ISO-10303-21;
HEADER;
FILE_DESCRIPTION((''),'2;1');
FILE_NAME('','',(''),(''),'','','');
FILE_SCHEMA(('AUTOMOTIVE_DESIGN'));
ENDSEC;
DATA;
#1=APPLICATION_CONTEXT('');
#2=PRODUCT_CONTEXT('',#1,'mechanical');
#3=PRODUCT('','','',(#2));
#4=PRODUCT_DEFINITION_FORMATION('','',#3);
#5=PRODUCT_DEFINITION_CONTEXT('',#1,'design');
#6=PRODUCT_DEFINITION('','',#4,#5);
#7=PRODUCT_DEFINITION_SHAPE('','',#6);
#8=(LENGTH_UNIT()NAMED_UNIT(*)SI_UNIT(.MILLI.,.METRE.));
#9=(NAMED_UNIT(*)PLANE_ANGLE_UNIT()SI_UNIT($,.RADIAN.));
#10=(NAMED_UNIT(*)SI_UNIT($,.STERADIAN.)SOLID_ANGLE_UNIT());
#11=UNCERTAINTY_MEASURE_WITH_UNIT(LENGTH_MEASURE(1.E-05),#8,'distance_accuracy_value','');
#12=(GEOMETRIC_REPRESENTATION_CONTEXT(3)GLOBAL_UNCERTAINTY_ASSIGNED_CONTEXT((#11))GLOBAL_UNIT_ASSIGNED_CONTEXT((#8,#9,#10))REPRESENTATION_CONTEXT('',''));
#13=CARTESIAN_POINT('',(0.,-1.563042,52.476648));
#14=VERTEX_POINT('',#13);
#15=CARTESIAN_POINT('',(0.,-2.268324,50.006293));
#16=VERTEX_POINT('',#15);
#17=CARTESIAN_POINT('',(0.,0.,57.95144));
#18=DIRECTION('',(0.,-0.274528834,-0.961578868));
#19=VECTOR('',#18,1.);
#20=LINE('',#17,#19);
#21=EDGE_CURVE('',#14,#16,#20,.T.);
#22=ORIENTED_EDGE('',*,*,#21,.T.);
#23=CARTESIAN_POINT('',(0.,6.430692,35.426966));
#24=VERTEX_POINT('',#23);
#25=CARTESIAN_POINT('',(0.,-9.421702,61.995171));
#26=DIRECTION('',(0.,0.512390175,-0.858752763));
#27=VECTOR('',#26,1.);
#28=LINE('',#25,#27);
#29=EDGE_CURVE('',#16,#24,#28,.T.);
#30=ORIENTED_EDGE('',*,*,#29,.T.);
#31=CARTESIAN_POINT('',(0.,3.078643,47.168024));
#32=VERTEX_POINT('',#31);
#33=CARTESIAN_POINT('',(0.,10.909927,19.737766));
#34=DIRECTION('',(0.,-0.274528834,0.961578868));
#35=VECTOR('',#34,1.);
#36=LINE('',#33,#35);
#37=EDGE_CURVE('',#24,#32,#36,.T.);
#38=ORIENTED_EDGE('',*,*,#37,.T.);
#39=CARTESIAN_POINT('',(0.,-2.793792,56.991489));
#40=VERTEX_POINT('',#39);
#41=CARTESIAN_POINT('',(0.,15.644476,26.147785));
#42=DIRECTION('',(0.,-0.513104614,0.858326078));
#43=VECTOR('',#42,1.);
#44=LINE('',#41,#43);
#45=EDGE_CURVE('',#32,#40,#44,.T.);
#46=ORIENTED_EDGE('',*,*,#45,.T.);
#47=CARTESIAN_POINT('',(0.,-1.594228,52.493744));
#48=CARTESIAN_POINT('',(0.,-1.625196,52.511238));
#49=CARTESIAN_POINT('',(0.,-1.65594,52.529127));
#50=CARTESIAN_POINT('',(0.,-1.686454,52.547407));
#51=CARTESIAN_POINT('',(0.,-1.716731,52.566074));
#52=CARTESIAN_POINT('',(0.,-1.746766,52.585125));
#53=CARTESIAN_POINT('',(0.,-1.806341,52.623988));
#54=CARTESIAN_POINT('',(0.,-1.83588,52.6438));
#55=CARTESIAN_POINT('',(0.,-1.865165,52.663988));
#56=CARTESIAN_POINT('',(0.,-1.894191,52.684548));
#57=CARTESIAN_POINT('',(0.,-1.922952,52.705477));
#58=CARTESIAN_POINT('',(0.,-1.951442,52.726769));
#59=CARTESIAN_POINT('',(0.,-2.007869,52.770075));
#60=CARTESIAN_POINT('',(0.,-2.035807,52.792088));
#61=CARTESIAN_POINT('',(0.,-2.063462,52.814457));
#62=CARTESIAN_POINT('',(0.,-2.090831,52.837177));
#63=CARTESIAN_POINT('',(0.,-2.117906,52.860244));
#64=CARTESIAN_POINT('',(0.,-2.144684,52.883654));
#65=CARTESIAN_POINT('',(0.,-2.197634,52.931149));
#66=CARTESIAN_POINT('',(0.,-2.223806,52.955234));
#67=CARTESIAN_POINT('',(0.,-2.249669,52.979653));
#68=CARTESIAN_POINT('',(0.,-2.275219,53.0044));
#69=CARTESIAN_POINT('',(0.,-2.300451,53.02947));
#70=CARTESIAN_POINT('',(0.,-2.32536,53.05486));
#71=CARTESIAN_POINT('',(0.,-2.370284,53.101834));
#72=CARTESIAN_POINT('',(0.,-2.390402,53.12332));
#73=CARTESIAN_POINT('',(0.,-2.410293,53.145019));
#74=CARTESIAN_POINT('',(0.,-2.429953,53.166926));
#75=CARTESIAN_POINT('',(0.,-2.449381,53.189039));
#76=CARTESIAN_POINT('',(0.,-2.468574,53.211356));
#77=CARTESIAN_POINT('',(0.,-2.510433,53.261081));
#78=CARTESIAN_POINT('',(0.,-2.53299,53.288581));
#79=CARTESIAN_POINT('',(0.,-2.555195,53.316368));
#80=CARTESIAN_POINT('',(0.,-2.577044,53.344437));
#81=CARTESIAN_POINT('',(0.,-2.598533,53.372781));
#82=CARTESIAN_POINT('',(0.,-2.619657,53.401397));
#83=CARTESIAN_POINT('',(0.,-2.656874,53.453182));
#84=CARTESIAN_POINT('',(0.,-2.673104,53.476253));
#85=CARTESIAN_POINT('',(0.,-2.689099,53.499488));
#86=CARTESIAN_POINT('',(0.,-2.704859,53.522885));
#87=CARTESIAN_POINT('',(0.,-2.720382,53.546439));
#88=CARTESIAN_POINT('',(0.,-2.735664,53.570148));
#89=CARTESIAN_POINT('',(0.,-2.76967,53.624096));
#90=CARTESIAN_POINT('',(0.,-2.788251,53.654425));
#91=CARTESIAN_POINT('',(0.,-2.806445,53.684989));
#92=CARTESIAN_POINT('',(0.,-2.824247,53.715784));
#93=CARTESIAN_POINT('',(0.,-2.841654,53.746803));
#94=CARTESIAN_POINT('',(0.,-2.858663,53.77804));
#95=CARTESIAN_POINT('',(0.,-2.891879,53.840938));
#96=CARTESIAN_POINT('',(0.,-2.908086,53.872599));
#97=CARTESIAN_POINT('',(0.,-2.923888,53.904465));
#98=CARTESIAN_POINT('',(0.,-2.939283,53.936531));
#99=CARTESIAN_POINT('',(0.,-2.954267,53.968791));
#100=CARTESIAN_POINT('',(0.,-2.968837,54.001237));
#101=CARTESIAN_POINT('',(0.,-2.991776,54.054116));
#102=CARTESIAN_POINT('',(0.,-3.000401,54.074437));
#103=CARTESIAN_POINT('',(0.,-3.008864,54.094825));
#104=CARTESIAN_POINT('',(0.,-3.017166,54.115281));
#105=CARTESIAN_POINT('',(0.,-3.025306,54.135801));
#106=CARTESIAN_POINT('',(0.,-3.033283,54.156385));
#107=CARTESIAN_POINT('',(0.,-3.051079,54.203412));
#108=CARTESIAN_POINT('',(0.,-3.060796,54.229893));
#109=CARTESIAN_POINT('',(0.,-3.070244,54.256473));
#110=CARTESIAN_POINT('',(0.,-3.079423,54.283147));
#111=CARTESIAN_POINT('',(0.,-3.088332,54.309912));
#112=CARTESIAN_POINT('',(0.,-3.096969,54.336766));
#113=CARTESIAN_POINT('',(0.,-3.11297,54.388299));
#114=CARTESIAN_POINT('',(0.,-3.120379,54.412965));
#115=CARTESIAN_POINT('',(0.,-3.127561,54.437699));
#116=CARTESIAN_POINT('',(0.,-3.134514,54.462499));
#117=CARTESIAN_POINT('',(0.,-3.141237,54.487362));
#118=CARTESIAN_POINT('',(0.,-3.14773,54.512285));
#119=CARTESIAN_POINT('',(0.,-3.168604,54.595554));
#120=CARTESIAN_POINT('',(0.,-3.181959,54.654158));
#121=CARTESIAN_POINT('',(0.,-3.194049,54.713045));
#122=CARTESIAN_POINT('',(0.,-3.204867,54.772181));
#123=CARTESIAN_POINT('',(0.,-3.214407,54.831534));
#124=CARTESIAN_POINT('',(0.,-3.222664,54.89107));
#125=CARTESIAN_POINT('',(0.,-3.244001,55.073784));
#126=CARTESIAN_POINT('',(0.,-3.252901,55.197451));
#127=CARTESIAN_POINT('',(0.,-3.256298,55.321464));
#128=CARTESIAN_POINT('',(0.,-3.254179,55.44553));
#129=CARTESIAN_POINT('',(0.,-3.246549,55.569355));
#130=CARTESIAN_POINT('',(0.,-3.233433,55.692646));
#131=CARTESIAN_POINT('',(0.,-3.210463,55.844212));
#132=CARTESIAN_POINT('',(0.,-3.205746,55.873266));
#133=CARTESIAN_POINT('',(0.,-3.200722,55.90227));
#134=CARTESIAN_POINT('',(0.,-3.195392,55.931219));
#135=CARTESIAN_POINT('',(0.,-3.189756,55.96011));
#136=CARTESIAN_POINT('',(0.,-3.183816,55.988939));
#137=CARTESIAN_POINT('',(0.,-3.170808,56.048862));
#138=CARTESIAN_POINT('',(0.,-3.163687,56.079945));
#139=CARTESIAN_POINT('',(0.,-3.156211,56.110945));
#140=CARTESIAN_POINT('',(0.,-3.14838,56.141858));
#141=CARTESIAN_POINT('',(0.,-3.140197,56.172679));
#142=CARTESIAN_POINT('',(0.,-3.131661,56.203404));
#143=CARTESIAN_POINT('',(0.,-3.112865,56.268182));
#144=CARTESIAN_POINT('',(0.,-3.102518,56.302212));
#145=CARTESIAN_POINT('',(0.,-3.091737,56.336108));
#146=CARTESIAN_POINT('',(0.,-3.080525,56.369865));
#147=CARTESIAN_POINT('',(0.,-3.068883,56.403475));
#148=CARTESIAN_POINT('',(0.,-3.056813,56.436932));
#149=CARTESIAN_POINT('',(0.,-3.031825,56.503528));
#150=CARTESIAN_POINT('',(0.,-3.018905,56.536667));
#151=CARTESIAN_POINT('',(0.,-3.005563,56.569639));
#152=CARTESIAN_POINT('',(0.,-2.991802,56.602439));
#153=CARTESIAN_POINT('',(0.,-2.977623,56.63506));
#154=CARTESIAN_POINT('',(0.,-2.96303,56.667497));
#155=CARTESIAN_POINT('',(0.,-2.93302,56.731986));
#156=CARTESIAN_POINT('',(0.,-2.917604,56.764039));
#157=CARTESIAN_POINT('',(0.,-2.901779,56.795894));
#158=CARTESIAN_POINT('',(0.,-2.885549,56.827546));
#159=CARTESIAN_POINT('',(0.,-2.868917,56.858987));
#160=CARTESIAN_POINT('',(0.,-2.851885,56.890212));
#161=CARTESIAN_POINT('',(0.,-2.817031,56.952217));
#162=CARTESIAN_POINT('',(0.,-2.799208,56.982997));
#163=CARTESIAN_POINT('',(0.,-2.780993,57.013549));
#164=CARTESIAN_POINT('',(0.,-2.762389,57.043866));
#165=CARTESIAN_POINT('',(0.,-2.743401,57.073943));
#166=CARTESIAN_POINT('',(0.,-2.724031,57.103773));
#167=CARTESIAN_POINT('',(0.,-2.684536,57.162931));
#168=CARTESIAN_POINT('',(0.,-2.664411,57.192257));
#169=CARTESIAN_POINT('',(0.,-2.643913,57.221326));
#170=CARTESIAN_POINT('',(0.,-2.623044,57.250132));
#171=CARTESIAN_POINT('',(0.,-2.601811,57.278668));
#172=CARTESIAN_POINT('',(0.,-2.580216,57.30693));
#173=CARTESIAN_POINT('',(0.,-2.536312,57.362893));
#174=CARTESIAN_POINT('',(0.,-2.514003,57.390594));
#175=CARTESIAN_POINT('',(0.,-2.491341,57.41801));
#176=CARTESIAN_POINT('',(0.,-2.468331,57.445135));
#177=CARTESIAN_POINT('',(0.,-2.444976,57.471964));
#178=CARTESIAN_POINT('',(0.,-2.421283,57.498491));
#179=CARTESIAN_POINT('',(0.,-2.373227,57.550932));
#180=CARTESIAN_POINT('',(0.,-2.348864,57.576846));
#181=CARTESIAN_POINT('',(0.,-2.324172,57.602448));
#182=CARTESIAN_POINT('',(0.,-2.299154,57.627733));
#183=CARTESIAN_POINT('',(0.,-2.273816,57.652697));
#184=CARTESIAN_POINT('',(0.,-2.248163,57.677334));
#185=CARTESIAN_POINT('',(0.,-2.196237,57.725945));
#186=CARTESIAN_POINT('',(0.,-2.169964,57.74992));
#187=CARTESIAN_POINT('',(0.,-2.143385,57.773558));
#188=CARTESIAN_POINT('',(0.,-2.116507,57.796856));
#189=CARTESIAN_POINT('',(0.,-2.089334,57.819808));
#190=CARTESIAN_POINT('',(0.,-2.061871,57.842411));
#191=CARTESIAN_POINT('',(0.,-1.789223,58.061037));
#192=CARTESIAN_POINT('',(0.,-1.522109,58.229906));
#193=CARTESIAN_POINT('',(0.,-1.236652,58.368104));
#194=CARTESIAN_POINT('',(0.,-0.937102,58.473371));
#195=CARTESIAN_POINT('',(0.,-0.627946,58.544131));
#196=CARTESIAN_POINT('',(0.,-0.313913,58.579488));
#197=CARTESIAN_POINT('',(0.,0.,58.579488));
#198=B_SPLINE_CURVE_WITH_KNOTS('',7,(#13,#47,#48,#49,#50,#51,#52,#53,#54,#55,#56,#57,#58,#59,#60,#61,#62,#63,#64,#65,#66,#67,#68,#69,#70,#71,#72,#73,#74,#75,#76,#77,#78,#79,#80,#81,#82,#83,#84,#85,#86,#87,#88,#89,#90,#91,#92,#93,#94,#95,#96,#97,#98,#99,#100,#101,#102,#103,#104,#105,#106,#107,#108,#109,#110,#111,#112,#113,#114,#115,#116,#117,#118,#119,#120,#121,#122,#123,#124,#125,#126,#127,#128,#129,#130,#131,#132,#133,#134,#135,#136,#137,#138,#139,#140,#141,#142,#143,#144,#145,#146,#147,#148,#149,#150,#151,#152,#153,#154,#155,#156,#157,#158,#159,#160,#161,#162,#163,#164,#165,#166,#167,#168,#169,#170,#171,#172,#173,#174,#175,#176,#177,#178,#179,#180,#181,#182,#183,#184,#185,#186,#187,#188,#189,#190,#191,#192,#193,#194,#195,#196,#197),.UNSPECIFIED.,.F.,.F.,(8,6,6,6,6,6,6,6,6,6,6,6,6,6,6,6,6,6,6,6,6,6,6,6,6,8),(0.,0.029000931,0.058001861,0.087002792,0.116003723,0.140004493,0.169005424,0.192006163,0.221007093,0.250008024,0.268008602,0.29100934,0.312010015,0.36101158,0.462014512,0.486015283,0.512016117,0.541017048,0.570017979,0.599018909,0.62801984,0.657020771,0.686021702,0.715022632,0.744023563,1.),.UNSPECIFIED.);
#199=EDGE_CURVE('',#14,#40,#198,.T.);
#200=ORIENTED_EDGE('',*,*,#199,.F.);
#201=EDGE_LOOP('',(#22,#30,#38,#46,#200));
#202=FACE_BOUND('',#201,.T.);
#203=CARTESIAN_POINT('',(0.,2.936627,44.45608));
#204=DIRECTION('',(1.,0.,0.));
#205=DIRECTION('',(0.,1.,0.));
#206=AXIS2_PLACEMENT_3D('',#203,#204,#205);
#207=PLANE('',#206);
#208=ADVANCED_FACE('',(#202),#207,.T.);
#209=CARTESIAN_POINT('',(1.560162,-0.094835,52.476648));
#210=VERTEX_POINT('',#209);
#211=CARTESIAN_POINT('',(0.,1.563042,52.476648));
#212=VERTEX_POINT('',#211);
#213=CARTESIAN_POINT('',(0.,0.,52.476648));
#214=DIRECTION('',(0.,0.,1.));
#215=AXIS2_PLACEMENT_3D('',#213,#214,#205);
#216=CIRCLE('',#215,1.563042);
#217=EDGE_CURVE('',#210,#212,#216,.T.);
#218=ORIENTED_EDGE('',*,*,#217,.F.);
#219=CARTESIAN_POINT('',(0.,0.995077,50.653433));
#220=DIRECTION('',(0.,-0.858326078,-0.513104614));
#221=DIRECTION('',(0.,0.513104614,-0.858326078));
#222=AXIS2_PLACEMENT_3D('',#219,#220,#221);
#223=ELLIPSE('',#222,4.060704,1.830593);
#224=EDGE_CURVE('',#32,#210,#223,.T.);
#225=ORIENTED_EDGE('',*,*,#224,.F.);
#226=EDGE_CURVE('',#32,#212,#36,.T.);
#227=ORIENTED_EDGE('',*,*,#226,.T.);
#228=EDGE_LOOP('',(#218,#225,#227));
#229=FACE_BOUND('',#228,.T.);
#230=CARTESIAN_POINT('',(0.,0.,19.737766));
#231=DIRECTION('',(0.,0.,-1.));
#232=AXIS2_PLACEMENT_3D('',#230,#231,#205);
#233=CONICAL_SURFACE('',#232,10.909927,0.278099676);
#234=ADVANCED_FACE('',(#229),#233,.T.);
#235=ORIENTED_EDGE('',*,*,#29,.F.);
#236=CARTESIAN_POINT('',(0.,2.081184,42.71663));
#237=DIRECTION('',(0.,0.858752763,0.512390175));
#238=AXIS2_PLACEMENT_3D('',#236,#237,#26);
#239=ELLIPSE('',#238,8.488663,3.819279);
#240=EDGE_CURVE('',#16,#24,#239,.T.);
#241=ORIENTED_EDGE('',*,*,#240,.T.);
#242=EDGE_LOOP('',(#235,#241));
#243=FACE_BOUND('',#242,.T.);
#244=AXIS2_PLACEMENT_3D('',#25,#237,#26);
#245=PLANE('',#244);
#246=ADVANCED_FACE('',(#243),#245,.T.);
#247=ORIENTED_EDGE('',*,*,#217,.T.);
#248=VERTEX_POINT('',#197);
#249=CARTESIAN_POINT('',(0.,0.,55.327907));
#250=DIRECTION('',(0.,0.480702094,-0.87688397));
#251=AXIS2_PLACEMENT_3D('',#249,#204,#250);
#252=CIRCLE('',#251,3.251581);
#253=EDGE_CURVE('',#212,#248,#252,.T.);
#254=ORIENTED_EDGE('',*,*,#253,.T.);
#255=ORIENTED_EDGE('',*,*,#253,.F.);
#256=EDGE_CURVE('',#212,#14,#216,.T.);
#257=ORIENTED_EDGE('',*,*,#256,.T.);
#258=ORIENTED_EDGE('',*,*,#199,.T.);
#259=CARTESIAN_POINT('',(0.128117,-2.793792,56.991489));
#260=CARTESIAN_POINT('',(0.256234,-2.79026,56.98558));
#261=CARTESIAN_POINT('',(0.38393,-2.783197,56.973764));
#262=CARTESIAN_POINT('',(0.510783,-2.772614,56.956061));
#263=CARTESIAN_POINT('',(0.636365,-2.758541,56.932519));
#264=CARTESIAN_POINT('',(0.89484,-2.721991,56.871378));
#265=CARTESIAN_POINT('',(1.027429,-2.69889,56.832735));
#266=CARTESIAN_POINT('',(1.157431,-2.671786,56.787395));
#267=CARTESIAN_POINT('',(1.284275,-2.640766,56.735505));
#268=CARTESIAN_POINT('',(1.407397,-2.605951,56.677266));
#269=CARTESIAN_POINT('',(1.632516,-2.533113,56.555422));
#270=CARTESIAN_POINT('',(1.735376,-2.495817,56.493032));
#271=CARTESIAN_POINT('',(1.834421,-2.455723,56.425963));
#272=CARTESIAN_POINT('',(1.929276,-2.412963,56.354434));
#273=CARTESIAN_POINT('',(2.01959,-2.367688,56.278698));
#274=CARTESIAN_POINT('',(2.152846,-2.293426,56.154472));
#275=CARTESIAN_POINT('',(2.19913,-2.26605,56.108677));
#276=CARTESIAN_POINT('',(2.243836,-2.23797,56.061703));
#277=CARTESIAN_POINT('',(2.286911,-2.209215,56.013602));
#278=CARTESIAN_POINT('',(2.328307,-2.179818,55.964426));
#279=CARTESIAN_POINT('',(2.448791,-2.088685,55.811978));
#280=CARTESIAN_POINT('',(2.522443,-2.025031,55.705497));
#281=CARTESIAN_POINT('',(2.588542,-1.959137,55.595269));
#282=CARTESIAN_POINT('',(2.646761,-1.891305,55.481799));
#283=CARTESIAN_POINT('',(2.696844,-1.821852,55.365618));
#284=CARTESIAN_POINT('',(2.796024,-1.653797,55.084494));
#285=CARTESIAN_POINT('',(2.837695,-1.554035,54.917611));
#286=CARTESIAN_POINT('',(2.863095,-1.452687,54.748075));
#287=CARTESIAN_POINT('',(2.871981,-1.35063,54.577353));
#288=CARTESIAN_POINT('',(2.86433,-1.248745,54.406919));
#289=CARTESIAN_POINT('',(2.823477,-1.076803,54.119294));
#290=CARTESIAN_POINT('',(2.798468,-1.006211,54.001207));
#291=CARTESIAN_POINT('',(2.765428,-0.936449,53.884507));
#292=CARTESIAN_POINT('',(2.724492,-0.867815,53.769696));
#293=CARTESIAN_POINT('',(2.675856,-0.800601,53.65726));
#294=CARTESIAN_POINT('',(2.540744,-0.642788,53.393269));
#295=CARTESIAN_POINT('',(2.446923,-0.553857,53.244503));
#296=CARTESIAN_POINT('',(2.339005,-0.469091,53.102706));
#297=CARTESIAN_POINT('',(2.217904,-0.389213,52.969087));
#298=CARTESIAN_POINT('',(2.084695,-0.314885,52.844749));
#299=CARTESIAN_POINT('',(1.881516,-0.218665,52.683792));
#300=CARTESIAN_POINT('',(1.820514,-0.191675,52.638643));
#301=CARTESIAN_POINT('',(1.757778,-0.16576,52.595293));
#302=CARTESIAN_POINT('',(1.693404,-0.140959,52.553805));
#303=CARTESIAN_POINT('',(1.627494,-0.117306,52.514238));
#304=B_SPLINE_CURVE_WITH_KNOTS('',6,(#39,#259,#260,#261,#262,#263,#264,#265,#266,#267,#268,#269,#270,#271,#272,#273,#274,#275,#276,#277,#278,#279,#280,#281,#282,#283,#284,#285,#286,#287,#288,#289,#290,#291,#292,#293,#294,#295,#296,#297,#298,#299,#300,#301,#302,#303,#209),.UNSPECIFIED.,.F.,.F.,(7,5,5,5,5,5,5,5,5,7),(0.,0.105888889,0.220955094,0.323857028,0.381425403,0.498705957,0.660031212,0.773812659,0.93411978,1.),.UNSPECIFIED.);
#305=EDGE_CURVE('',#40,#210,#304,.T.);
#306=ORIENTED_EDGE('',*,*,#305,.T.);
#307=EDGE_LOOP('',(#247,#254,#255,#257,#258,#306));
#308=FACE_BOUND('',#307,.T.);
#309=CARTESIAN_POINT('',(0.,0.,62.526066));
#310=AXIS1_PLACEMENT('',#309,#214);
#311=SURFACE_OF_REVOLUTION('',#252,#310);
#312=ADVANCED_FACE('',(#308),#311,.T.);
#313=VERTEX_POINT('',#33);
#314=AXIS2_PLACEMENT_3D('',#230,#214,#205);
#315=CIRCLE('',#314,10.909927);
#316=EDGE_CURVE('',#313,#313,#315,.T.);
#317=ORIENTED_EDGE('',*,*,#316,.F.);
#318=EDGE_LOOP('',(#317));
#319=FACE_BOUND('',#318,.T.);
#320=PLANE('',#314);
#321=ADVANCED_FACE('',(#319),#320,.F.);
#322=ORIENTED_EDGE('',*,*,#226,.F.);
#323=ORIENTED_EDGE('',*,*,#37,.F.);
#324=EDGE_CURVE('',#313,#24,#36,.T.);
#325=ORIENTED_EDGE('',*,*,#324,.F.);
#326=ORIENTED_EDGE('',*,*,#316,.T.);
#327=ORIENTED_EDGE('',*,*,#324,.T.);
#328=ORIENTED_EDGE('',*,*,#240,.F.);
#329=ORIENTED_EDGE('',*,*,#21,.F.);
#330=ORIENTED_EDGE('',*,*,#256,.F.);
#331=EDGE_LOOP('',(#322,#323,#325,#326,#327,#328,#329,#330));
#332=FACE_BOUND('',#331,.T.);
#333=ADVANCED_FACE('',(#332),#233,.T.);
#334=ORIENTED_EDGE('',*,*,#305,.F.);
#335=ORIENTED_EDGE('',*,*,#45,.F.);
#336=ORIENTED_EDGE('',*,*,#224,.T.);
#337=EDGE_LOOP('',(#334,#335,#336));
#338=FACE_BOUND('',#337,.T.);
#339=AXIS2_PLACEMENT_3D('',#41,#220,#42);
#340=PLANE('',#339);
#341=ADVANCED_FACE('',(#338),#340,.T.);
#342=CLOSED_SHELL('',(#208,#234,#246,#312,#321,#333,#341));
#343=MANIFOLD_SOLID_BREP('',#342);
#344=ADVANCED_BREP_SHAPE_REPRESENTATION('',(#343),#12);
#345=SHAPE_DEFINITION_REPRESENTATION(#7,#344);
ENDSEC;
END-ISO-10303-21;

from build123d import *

# Parameters (mm, degrees)
F3_DEPTH = 10.910927


with BuildPart() as f1:
    # F0 (on Right) → F1 (revolve)
    with BuildSketch(Plane.YZ):
        with BuildLine():
            ThreePointArc((1.563042, 52.476648), (0.806746, 52.177996), (0, 52.076326))
            Line((0, 52.076326), (0, 19.737766))
            Line((0, 19.737766), (10.909927, 19.737766))
            Line((10.909927, 19.737766), (1.563042, 52.476648))
        make_face()
        with BuildLine():
            Line((0, 55.327907), (0, 52.076326))
            ThreePointArc((0, 52.076326), (0.806746, 52.177996), (1.563042, 52.476648))
            ThreePointArc((1.563042, 52.476648), (3.149911, 56.134654), (0, 58.579488))
            Line((0, 58.579488), (0, 55.327907))
        make_face()
    revolve(axis=Axis((0, 0, 62.526066), (0, 0, 1)))

    # F2 (on Right) → F3 (cut, through all)
    with BuildSketch(Plane.YZ):
        Polygon((15.644476, 26.147785), (-6.619644, 63.391408), (-9.421702, 61.995171), (11.145549, 27.524987), align=None)
    extrude(amount=F3_DEPTH, mode=Mode.SUBTRACT)


solid = f1.part
